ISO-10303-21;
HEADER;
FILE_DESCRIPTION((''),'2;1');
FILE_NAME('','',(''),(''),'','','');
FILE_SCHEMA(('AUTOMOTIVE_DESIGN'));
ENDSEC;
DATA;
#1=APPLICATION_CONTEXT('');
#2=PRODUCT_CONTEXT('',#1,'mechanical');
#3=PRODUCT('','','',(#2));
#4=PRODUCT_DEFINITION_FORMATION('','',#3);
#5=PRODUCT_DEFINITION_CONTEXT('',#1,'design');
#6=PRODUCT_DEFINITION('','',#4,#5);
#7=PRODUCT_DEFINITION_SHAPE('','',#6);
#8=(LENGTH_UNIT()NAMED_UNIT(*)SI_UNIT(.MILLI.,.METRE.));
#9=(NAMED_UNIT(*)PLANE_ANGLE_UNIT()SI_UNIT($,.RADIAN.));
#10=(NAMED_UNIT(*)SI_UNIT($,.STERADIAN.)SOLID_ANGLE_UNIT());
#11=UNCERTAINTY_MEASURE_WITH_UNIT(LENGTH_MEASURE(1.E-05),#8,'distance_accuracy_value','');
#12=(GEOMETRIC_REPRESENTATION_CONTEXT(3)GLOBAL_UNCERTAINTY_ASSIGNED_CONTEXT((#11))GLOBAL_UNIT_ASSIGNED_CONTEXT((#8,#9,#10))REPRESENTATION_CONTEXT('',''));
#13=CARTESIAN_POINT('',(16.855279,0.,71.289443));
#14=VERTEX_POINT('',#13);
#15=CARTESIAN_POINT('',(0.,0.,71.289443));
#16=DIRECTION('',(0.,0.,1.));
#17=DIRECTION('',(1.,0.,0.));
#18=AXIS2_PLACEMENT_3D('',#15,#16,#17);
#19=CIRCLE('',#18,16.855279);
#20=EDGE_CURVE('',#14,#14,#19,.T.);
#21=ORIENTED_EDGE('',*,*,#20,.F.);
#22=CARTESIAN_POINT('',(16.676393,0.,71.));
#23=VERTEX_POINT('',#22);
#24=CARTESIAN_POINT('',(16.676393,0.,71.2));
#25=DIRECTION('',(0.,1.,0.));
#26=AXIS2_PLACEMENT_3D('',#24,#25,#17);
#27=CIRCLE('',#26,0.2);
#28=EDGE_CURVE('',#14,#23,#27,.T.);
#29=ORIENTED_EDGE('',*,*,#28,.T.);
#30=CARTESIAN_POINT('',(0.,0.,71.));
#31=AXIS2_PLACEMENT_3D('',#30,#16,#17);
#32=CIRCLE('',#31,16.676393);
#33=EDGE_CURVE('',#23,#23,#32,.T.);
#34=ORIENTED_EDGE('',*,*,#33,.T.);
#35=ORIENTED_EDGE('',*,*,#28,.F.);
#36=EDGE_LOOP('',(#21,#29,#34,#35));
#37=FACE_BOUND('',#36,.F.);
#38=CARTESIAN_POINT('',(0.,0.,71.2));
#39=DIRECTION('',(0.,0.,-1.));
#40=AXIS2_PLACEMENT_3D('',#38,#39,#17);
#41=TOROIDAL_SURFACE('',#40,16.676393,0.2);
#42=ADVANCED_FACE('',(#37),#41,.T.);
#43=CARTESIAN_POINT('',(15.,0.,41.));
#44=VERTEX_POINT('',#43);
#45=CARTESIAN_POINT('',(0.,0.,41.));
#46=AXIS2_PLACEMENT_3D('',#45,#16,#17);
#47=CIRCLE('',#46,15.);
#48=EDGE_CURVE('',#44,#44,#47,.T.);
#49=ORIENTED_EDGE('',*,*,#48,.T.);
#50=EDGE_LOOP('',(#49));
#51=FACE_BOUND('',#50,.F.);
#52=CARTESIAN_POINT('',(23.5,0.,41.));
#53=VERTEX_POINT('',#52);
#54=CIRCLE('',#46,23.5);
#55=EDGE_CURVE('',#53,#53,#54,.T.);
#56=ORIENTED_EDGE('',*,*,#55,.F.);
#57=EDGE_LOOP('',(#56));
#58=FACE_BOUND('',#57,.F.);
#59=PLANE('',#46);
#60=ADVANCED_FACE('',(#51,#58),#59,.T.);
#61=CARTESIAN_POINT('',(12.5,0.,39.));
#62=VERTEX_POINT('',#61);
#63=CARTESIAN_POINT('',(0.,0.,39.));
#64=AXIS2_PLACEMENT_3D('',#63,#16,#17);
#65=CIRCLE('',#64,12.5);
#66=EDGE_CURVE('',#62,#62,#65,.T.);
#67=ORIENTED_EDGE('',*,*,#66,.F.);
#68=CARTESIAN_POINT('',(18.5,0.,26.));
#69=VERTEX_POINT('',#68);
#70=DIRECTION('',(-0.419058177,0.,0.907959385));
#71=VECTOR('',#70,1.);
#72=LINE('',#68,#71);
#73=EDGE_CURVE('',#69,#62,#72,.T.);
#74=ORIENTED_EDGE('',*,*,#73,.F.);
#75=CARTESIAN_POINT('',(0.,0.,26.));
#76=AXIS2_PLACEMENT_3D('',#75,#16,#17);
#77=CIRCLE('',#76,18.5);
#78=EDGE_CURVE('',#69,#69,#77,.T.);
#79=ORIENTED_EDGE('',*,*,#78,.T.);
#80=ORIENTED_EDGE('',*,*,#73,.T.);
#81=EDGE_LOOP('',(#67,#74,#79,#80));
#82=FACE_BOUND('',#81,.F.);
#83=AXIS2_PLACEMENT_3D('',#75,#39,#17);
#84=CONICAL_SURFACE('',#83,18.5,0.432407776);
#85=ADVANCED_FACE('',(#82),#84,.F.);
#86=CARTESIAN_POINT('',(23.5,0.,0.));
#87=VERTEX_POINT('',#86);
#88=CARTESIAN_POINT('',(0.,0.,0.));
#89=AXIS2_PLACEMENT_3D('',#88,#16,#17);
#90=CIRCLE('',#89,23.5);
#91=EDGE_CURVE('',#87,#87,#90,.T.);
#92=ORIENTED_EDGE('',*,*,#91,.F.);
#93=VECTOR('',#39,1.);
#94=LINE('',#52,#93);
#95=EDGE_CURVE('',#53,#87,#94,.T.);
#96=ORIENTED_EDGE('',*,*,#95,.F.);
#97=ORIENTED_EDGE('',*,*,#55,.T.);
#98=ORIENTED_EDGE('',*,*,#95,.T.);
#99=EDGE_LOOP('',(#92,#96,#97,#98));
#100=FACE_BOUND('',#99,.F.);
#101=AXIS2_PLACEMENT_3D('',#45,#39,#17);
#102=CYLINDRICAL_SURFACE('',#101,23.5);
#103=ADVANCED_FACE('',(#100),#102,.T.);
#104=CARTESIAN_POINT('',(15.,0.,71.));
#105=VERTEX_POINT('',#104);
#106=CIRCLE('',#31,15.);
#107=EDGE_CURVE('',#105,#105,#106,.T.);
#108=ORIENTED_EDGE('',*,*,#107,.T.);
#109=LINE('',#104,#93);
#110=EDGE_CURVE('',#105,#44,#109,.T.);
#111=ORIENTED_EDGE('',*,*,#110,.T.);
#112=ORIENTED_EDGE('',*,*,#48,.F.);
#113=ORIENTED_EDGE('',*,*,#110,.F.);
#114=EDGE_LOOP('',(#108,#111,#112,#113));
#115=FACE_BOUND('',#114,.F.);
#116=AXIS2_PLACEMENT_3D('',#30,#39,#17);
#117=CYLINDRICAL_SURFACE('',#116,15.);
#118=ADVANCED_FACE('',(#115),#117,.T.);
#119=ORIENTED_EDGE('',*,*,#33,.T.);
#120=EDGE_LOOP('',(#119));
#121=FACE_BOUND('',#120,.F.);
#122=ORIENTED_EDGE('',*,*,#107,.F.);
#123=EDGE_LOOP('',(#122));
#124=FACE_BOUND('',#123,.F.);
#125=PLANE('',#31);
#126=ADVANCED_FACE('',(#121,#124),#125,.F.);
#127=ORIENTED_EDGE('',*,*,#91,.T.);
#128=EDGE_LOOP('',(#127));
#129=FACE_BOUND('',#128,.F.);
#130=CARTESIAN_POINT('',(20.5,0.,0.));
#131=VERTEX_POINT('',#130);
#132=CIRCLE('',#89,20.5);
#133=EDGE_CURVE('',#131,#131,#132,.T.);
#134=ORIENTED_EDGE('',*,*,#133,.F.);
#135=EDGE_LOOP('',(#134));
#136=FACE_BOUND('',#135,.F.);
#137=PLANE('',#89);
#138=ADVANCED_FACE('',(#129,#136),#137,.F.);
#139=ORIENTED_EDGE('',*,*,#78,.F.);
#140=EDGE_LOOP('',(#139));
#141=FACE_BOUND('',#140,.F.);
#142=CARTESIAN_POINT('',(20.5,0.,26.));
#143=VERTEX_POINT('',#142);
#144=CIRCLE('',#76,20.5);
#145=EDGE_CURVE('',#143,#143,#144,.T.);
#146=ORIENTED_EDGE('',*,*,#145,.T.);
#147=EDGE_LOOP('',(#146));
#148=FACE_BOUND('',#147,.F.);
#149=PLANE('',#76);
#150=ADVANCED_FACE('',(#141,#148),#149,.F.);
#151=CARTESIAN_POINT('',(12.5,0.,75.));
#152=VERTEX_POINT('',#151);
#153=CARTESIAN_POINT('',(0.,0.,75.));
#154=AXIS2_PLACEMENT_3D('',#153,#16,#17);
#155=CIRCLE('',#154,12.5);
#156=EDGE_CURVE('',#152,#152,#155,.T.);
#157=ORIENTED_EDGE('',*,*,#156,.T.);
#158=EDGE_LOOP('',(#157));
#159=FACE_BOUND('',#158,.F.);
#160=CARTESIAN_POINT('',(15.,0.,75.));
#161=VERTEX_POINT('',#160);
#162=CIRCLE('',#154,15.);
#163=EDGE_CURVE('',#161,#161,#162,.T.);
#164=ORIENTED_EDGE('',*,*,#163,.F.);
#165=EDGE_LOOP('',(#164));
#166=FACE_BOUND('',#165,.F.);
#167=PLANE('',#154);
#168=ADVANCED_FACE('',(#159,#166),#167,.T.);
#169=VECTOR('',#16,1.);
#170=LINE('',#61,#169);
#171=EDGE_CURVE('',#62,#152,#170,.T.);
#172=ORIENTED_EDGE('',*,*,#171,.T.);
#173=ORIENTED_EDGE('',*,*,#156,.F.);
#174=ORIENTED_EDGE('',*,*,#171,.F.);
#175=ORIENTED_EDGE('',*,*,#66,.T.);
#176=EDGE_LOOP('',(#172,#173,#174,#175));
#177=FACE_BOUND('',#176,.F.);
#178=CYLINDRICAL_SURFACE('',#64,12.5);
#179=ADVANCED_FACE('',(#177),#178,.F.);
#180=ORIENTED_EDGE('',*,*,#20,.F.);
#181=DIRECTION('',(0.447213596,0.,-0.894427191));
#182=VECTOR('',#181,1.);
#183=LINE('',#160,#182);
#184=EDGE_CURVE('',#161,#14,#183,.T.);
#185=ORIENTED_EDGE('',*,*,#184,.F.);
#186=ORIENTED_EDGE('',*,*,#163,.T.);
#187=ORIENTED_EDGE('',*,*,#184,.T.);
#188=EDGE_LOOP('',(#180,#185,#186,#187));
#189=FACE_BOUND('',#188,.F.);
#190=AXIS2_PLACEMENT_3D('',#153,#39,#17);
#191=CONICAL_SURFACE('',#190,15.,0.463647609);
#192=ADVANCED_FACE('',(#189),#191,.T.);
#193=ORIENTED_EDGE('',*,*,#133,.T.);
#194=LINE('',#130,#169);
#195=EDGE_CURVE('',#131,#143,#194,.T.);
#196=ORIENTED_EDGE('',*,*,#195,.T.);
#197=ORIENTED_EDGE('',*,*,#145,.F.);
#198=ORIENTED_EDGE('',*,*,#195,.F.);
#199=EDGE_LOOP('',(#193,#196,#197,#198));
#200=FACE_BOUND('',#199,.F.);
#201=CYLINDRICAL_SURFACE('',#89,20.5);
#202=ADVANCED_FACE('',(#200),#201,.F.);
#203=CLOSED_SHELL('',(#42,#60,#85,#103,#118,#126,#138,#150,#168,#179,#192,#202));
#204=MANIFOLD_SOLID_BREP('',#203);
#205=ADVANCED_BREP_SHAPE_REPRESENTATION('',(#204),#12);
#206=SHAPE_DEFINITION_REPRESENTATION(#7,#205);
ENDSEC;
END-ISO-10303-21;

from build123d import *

# Parameters (mm, degrees)
FILLET_R = 0.2


with BuildPart() as part:
    # Sketch → Revolution (revolve)
    with BuildSketch(Plane.XZ):
        Polygon((15, 75), (17, 71), (15, 71), (15, 41), (23.5, 41), (23.5, 0), (20.5, 0), (20.5, 26), (18.5, 26), (12.5, 39), (12.5, 75), align=None)
    revolve(axis=Axis((0, 0, 0), (0, 0, 1)))

    # Fillet
    fillet_edges = [part.edges().sort_by_distance(p)[0] for p in [
        (-17, 0, 71),
    ]]
    fillet(fillet_edges, radius=FILLET_R)


solid = part.part
